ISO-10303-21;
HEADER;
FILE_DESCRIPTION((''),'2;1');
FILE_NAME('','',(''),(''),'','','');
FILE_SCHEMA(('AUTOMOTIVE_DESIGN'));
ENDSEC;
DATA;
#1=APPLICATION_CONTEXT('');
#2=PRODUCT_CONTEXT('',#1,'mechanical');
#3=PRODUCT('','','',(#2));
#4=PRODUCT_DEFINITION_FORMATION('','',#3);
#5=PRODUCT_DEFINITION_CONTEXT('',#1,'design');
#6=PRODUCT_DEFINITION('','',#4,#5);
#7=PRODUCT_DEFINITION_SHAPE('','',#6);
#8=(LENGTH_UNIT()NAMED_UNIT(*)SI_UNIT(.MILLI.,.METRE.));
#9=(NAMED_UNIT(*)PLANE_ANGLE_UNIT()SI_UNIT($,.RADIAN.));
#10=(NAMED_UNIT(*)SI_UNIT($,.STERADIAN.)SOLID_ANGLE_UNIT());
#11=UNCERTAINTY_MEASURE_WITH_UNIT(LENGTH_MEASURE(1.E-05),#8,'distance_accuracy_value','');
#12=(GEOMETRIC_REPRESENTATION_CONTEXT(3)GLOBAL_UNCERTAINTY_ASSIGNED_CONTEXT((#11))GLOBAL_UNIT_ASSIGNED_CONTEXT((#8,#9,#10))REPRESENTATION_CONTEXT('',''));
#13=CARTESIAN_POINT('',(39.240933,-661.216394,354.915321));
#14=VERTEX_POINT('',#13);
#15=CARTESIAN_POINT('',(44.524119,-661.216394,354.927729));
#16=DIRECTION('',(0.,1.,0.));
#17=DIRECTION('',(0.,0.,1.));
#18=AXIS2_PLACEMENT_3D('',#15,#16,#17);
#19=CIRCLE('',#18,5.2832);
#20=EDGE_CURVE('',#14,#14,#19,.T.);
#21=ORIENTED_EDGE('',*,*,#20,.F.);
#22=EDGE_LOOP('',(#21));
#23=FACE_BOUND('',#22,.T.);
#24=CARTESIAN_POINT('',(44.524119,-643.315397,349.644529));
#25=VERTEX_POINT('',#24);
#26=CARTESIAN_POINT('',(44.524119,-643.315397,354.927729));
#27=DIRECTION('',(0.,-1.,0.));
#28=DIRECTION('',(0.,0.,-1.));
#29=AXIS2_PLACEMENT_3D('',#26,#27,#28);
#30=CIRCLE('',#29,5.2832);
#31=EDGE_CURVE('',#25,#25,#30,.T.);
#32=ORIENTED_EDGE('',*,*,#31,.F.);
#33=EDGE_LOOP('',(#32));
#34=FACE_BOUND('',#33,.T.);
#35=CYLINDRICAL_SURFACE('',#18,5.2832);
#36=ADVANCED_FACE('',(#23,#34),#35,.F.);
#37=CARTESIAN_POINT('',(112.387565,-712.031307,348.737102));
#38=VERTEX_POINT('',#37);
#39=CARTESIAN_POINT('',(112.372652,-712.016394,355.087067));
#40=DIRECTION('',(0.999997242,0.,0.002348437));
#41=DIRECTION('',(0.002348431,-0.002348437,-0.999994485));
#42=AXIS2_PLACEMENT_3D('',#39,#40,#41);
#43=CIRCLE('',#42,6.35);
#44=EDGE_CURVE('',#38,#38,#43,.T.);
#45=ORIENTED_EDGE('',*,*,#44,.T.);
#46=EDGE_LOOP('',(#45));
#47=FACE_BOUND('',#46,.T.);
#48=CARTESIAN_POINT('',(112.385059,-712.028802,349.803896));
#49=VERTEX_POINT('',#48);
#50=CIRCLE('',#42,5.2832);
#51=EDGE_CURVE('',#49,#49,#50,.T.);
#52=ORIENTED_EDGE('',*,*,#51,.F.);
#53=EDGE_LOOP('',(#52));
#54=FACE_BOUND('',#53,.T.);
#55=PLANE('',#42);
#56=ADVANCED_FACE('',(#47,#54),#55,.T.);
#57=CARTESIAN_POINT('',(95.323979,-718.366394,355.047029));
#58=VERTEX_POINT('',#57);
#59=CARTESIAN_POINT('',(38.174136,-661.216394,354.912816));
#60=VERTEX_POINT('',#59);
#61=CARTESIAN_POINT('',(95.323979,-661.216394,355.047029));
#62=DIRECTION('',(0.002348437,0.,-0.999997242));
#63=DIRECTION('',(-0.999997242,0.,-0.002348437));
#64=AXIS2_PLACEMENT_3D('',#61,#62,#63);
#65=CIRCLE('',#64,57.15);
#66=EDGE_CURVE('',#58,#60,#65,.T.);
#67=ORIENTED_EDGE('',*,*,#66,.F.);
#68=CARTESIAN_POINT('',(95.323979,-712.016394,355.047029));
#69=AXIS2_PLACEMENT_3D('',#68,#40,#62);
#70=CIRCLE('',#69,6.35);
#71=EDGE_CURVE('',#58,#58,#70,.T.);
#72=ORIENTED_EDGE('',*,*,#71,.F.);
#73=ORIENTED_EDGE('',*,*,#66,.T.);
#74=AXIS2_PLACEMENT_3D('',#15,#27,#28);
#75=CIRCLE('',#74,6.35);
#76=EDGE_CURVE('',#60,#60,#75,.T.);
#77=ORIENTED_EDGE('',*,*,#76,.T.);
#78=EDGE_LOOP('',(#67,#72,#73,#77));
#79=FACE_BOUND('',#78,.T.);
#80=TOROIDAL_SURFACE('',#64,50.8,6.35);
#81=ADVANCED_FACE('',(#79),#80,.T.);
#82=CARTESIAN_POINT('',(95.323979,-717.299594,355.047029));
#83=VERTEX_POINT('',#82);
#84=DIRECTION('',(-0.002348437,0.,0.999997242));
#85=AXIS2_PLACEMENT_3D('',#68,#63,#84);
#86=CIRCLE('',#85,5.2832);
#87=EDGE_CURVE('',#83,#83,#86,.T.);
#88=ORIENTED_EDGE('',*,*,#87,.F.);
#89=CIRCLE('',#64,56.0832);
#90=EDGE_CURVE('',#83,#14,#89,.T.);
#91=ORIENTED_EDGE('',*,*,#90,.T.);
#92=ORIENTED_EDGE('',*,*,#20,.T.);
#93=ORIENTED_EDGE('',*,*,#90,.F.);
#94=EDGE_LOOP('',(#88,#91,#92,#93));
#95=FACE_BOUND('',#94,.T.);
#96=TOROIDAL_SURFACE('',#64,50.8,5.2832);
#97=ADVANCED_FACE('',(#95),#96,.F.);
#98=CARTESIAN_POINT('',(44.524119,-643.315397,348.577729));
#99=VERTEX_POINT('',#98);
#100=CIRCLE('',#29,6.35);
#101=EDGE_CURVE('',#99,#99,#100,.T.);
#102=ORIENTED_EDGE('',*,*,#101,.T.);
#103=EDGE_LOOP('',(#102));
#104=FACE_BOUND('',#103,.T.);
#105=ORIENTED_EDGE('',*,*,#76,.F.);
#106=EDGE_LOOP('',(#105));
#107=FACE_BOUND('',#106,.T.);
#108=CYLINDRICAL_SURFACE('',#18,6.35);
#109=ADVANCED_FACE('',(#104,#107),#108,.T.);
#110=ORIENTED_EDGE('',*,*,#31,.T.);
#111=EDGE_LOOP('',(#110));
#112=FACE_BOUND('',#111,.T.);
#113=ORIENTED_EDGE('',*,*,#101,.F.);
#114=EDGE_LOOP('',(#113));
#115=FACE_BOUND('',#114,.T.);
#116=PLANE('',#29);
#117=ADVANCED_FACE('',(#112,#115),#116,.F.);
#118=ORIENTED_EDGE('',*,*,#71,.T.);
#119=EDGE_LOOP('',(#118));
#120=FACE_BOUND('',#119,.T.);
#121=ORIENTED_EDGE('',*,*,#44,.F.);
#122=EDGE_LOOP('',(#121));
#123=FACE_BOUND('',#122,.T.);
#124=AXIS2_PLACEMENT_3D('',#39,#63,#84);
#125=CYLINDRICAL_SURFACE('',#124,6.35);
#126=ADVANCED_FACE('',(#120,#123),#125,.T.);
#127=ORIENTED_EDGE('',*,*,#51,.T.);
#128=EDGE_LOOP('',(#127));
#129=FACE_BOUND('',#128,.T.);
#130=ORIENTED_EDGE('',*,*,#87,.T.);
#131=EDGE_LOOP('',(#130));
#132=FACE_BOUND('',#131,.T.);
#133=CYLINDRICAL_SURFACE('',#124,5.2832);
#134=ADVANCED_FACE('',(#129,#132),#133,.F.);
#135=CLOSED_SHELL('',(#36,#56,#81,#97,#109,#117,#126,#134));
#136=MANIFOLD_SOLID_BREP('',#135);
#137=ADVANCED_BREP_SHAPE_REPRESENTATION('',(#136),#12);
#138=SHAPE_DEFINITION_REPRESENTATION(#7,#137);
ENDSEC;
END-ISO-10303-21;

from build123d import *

# Parameters (mm, degrees)
SKETCH1_R                 = 6.35
SKETCH1_R_2               = 5.2832
PIPE_0_5_SCH_40_1_DEPTH   = 17.900997827
SKETCH1_ON_SEGMENT_2_R    = 6.35
SKETCH1_ON_SEGMENT_2_R_2  = 5.2832
PIPE_0_5_SCH_40_1_2_ANGLE = 90
SKETCH1_ON_SEGMENT_3_R    = 6.35
SKETCH1_ON_SEGMENT_3_R_2  = 5.2832
PIPE_0_5_SCH_40_1_3_DEPTH = 17.04872038


with BuildPart() as part:
    # Sketch1 → Pipe 0.5 SCH 40(1) (new body)
    with BuildSketch(Plane(origin=(44.524118781, -643.315396514, 354.927728694), x_dir=(1, 0, 0), z_dir=(0, -1, 0))):
        Circle(SKETCH1_R)
        Circle(SKETCH1_R_2, mode=Mode.SUBTRACT)
    extrude(amount=PIPE_0_5_SCH_40_1_DEPTH)


with BuildPart() as body_2:
    # Sketch1 on segment 2 (carried to the start of arc 2) → Pipe 0.5 SCH 40_1 2 (revolve)
    with BuildSketch(Plane(origin=(44.524118781, -661.216394341, 354.927728694), x_dir=(1, 0, 0), z_dir=(0, -1, 0))):
        Circle(SKETCH1_ON_SEGMENT_2_R)
        Circle(SKETCH1_ON_SEGMENT_2_R_2, mode=Mode.SUBTRACT)
    revolve(axis=Axis((95.323978696, -661.216394341, 355.047029303), (-0.002348437, 0, 0.999997242)), revolution_arc=PIPE_0_5_SCH_40_1_2_ANGLE)


with BuildPart() as body_3:
    # Sketch1 on segment 3 (carried to segment 3) → Pipe 0.5 SCH 40_1 3 (new body)
    with BuildSketch(Plane(origin=(95.323978696, -712.016394341, 355.047029303), x_dir=(5.515e-06, 0.999997242, -0.002348431), z_dir=(0.999997242, 0, 0.002348437))):
        Circle(SKETCH1_ON_SEGMENT_3_R)
        Circle(SKETCH1_ON_SEGMENT_3_R_2, mode=Mode.SUBTRACT)
    extrude(amount=PIPE_0_5_SCH_40_1_3_DEPTH)


with BuildPart() as part_1:
    add(part.part)

    # Pipe 0.5 SCH 40(1) as one body: union body 2, body 3
    add(body_2.part)
    add(body_3.part)


solid = part_1.part
